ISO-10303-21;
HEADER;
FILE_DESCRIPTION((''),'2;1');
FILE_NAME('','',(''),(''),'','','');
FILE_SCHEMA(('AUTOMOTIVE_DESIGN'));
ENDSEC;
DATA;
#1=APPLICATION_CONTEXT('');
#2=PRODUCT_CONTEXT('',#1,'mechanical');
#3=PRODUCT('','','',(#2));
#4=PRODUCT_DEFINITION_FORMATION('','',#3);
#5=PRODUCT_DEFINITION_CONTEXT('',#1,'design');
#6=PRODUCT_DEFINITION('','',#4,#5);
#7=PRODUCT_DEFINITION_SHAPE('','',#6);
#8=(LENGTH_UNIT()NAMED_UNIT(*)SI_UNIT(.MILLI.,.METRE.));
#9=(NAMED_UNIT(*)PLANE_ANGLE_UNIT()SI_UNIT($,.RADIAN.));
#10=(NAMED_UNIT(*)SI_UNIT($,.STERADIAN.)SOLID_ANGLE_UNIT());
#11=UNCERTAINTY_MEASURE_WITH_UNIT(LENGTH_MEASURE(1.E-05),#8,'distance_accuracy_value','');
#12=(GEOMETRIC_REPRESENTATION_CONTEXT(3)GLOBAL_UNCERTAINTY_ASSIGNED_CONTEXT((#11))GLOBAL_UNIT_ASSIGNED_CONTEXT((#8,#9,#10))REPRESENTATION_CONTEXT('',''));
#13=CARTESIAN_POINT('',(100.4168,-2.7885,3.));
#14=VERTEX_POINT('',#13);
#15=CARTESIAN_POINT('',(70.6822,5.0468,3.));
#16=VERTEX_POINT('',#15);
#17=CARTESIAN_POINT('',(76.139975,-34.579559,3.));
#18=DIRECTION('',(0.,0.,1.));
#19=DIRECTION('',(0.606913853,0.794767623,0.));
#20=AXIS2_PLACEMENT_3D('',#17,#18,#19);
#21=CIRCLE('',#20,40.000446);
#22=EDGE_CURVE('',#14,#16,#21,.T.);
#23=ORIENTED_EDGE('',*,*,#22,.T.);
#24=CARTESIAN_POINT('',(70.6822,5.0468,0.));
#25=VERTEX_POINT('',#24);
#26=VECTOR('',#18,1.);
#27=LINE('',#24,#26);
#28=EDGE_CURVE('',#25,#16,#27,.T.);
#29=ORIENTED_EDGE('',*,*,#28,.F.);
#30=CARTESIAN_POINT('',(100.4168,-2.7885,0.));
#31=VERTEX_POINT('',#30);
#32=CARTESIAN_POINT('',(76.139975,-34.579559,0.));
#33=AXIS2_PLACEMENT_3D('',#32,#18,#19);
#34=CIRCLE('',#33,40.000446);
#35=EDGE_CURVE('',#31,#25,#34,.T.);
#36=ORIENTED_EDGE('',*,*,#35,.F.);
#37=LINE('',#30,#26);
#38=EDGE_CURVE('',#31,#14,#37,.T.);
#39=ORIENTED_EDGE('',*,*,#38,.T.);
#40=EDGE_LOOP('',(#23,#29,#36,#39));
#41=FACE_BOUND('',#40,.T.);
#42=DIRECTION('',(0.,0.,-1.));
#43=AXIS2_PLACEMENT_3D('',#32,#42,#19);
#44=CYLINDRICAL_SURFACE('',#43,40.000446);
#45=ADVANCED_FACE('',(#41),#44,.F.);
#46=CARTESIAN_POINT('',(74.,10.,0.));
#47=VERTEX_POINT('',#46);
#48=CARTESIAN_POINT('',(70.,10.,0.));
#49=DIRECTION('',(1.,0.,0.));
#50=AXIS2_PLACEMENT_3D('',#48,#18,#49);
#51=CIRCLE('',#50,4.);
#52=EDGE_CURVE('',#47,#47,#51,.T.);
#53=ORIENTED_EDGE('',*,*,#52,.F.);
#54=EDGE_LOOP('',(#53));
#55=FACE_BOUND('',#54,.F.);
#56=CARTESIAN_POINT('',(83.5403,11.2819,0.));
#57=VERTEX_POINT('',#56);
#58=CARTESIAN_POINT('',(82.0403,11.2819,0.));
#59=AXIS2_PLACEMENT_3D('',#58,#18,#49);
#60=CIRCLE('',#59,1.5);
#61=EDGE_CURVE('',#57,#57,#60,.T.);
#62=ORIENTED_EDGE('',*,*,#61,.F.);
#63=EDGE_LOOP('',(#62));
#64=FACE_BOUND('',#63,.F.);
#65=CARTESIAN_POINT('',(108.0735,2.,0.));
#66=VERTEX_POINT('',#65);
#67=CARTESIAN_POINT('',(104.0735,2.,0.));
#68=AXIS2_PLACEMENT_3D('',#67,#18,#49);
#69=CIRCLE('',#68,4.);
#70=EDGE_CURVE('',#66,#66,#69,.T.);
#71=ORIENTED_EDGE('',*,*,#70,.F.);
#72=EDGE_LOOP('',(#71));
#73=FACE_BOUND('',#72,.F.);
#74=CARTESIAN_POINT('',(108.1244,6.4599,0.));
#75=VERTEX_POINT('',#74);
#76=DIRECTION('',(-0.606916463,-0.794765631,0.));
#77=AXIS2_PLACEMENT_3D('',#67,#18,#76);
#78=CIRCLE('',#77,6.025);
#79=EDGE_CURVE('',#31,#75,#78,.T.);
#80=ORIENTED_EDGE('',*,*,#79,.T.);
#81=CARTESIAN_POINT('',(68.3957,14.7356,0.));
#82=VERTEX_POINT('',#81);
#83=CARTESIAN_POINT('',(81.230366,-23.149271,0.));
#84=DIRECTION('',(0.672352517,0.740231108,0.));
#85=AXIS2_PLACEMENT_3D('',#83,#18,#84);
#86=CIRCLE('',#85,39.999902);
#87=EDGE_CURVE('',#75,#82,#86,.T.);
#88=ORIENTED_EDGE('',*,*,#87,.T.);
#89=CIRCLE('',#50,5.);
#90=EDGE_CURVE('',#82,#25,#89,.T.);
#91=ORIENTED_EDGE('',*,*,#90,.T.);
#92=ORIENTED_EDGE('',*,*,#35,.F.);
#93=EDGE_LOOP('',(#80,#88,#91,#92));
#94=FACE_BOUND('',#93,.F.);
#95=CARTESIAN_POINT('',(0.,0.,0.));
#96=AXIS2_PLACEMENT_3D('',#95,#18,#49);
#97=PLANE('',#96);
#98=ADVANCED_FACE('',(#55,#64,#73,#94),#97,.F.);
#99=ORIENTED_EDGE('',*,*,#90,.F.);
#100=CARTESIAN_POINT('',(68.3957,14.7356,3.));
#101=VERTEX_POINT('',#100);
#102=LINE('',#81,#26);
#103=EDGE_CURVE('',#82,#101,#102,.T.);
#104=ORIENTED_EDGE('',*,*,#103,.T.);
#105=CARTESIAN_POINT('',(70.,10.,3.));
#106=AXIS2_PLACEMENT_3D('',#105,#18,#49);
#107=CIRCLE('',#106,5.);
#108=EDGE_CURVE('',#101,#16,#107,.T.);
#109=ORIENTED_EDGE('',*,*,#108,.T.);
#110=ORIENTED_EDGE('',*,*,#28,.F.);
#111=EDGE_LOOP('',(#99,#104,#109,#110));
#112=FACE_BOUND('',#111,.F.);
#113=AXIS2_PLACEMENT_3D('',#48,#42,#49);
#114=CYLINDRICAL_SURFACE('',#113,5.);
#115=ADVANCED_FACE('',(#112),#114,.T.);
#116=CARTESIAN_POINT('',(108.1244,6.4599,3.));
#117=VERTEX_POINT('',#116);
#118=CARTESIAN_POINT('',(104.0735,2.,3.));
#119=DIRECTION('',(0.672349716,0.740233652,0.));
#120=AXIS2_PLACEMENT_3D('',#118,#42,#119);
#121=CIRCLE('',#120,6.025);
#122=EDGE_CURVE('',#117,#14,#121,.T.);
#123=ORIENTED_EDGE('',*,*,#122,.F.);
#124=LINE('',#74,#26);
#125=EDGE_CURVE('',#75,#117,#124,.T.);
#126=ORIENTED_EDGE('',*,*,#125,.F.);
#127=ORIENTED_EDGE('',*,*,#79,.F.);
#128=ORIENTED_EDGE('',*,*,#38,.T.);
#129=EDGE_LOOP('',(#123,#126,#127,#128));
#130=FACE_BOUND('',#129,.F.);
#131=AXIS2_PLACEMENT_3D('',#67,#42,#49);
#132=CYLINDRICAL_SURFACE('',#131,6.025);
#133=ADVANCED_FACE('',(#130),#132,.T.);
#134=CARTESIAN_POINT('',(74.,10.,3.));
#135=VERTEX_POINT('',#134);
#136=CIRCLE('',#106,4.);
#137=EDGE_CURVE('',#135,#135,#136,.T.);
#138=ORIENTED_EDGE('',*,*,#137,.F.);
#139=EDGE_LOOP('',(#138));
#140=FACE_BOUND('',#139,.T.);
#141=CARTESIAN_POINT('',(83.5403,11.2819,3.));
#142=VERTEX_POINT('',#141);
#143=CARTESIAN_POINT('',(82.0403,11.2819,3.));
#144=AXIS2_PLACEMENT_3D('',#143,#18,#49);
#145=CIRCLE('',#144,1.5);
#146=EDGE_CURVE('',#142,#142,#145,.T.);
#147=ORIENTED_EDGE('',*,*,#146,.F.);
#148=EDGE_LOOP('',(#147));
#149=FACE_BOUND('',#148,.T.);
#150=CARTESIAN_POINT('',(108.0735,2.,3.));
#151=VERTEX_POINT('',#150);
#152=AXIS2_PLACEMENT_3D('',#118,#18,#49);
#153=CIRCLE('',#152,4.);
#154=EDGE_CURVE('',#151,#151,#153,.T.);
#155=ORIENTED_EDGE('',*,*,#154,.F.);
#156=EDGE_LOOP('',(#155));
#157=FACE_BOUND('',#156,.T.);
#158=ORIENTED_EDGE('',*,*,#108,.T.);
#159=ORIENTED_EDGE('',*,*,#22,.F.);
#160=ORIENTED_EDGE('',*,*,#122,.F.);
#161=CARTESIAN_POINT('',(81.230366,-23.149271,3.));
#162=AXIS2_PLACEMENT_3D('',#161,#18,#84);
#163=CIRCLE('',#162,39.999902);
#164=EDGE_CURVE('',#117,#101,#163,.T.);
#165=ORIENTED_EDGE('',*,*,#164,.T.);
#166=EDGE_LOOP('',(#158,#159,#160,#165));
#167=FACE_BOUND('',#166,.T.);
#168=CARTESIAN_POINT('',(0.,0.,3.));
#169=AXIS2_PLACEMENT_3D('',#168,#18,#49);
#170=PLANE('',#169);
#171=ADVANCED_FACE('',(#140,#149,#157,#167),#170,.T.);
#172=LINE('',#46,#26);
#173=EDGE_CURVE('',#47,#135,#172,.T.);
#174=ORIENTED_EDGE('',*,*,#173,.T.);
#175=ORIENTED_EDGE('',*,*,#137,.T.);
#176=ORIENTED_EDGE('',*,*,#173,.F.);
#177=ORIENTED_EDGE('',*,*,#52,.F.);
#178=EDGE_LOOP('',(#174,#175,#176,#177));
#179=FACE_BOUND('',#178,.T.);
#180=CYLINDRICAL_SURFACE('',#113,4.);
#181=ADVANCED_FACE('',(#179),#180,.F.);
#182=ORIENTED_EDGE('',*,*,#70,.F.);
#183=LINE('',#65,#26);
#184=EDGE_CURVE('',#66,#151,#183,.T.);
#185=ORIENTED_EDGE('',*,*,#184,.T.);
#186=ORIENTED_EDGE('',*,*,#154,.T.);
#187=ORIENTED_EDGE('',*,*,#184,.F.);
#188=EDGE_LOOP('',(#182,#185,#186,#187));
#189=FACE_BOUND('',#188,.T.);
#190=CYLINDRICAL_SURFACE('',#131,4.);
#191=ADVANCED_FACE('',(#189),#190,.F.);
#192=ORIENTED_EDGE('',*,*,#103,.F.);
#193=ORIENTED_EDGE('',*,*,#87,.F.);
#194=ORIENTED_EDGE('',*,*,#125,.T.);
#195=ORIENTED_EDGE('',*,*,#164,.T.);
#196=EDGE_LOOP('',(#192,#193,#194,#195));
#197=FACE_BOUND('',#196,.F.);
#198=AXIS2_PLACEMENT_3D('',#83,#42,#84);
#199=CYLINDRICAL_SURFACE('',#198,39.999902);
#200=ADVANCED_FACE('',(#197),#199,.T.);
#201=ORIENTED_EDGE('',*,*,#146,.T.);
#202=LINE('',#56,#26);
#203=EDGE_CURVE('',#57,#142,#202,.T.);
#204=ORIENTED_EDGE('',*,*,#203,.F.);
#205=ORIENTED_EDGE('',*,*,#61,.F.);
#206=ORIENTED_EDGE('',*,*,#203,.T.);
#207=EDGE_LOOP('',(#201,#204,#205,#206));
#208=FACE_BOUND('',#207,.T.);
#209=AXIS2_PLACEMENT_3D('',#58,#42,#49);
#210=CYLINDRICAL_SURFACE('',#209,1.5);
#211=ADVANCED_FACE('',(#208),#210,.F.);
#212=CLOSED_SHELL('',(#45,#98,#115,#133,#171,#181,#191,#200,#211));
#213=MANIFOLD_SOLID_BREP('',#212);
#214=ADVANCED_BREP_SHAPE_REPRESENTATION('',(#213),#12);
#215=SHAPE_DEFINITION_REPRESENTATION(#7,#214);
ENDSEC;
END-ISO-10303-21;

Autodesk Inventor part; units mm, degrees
ref_plane "YZ Plane" through (0, 0, 0) normal (1, 0, 0) x (0, 1, 0)
ref_plane "XZ Plane" through (0, 0, 0) normal (0, 1, 0) x (-1, 0, 0)
ref_plane "XY Plane" through (0, 0, 0) normal (0, 0, 1) x (1, 0, 0)
sketch "スケッチ1" plane through (0, 0, 0) normal (0, 0, 1) x (1, 0, 0)
  circle A0 centre (104.0735, 2) radius 6.025
  arc A1 (100.4168, -2.7885) -> (70.6822, 5.0468) centre (76.1402, -34.5791) ccw
  line L0 (69.7806, -5) -> (104.0735, 2) construction
  circle A2 centre (69.7806, -5) radius 5 construction
  arc A3 (102.7574, -3.8795) -> (72.4739, -9.2126) centre (94.0202, -42.9136) ccw construction
  circle A4 centre (75.3506, 22) radius 5 construction
  circle A5 centre (70, 10) radius 1.5
  circle A6 centre (70, 10) radius 5
  arc A7 (109.4834, 4.652) -> (75.6055, 26.9935) centre (73.5667, -12.9545) ccw construction
  arc A8 (108.1244, 6.4599) -> (68.3957, 14.7356) centre (81.2303, -23.1494) ccw
  arc A9 (105.8851, 7.7462) -> (66.341, -1.371) centre (93.8576, -30.4027) ccw construction
  line L1 (70, 10) -> (104.0735, 2) construction
  circle A10 centre (82.0403, 11.2819) radius 1.5
  line L2 (48.483, 55.1333) -> (82.5564, 47.1333) construction
  line L3 (82.5564, 47.1333) -> (53.8336, 67.1333) construction
  line L4 (82.5564, 47.1333) -> (48.2636, 40.1333) construction
  circle A11 centre (53.8336, 67.1333) radius 5 construction
  circle A12 centre (48.2636, 40.1333) radius 5 construction
  circle A13 centre (48.483, 55.1333) radius 5
  circle A14 centre (82.5564, 47.1333) radius 1.5
  circle A15 centre (82.5564, 47.1333) radius 5
  circle A16 centre (48.483, 55.1333) radius 1.5
  arc A17 (77.6092, 46.4087) -> (54.8703, 62.242) centre (58.8098, 43.6549) ccw construction
  arc A18 (78.225, 44.6356) -> (51.2502, 50.9689) centre (61.7656, 35.1441) ccw
  arc A19 (79.6686, 43.0516) -> (52.5201, 37.51) centre (68.6948, 27.5411) ccw construction
  arc A20 (85.2716, 51.3319) -> (44.1201, 42.9319) centre (68.9807, 26.1405) ccw construction
  arc A21 (86.7799, 49.8095) -> (45.8918, 59.4095) centre (61.4389, 33.7524) ccw
  arc A22 (87.4691, 48.0636) -> (53.0017, 72.0636) centre (57.993, 42.4818) ccw construction
  circle A23 centre (82.5564, 47.1333) radius 4
  circle A24 centre (104.0735, 2) radius 4
  circle A25 centre (70, 10) radius 4
  point P0 (0, 0)
  point P1 (0, 0)
  point P2 (0, 0)
  dimension "d0" = 40
  dimension "d1" = 10
  dimension "d2" = 40
  dimension "d3" = 10
  dimension "d4" = 10
  dimension "d5" = 3
  dimension "d6" = 19
  dimension "d7" = 30
  dimension "d8" = 3
  dimension "d9" = 8
  dimension "d10" = 8
  dimension "d11" = 8
extrude "押し出し1" add sketch "スケッチ1" along normal blind 3 contours A0 | A0 A1 A6 A8 | A6
properties part number "heikousita" material "アルミニウム 2014-T4"
